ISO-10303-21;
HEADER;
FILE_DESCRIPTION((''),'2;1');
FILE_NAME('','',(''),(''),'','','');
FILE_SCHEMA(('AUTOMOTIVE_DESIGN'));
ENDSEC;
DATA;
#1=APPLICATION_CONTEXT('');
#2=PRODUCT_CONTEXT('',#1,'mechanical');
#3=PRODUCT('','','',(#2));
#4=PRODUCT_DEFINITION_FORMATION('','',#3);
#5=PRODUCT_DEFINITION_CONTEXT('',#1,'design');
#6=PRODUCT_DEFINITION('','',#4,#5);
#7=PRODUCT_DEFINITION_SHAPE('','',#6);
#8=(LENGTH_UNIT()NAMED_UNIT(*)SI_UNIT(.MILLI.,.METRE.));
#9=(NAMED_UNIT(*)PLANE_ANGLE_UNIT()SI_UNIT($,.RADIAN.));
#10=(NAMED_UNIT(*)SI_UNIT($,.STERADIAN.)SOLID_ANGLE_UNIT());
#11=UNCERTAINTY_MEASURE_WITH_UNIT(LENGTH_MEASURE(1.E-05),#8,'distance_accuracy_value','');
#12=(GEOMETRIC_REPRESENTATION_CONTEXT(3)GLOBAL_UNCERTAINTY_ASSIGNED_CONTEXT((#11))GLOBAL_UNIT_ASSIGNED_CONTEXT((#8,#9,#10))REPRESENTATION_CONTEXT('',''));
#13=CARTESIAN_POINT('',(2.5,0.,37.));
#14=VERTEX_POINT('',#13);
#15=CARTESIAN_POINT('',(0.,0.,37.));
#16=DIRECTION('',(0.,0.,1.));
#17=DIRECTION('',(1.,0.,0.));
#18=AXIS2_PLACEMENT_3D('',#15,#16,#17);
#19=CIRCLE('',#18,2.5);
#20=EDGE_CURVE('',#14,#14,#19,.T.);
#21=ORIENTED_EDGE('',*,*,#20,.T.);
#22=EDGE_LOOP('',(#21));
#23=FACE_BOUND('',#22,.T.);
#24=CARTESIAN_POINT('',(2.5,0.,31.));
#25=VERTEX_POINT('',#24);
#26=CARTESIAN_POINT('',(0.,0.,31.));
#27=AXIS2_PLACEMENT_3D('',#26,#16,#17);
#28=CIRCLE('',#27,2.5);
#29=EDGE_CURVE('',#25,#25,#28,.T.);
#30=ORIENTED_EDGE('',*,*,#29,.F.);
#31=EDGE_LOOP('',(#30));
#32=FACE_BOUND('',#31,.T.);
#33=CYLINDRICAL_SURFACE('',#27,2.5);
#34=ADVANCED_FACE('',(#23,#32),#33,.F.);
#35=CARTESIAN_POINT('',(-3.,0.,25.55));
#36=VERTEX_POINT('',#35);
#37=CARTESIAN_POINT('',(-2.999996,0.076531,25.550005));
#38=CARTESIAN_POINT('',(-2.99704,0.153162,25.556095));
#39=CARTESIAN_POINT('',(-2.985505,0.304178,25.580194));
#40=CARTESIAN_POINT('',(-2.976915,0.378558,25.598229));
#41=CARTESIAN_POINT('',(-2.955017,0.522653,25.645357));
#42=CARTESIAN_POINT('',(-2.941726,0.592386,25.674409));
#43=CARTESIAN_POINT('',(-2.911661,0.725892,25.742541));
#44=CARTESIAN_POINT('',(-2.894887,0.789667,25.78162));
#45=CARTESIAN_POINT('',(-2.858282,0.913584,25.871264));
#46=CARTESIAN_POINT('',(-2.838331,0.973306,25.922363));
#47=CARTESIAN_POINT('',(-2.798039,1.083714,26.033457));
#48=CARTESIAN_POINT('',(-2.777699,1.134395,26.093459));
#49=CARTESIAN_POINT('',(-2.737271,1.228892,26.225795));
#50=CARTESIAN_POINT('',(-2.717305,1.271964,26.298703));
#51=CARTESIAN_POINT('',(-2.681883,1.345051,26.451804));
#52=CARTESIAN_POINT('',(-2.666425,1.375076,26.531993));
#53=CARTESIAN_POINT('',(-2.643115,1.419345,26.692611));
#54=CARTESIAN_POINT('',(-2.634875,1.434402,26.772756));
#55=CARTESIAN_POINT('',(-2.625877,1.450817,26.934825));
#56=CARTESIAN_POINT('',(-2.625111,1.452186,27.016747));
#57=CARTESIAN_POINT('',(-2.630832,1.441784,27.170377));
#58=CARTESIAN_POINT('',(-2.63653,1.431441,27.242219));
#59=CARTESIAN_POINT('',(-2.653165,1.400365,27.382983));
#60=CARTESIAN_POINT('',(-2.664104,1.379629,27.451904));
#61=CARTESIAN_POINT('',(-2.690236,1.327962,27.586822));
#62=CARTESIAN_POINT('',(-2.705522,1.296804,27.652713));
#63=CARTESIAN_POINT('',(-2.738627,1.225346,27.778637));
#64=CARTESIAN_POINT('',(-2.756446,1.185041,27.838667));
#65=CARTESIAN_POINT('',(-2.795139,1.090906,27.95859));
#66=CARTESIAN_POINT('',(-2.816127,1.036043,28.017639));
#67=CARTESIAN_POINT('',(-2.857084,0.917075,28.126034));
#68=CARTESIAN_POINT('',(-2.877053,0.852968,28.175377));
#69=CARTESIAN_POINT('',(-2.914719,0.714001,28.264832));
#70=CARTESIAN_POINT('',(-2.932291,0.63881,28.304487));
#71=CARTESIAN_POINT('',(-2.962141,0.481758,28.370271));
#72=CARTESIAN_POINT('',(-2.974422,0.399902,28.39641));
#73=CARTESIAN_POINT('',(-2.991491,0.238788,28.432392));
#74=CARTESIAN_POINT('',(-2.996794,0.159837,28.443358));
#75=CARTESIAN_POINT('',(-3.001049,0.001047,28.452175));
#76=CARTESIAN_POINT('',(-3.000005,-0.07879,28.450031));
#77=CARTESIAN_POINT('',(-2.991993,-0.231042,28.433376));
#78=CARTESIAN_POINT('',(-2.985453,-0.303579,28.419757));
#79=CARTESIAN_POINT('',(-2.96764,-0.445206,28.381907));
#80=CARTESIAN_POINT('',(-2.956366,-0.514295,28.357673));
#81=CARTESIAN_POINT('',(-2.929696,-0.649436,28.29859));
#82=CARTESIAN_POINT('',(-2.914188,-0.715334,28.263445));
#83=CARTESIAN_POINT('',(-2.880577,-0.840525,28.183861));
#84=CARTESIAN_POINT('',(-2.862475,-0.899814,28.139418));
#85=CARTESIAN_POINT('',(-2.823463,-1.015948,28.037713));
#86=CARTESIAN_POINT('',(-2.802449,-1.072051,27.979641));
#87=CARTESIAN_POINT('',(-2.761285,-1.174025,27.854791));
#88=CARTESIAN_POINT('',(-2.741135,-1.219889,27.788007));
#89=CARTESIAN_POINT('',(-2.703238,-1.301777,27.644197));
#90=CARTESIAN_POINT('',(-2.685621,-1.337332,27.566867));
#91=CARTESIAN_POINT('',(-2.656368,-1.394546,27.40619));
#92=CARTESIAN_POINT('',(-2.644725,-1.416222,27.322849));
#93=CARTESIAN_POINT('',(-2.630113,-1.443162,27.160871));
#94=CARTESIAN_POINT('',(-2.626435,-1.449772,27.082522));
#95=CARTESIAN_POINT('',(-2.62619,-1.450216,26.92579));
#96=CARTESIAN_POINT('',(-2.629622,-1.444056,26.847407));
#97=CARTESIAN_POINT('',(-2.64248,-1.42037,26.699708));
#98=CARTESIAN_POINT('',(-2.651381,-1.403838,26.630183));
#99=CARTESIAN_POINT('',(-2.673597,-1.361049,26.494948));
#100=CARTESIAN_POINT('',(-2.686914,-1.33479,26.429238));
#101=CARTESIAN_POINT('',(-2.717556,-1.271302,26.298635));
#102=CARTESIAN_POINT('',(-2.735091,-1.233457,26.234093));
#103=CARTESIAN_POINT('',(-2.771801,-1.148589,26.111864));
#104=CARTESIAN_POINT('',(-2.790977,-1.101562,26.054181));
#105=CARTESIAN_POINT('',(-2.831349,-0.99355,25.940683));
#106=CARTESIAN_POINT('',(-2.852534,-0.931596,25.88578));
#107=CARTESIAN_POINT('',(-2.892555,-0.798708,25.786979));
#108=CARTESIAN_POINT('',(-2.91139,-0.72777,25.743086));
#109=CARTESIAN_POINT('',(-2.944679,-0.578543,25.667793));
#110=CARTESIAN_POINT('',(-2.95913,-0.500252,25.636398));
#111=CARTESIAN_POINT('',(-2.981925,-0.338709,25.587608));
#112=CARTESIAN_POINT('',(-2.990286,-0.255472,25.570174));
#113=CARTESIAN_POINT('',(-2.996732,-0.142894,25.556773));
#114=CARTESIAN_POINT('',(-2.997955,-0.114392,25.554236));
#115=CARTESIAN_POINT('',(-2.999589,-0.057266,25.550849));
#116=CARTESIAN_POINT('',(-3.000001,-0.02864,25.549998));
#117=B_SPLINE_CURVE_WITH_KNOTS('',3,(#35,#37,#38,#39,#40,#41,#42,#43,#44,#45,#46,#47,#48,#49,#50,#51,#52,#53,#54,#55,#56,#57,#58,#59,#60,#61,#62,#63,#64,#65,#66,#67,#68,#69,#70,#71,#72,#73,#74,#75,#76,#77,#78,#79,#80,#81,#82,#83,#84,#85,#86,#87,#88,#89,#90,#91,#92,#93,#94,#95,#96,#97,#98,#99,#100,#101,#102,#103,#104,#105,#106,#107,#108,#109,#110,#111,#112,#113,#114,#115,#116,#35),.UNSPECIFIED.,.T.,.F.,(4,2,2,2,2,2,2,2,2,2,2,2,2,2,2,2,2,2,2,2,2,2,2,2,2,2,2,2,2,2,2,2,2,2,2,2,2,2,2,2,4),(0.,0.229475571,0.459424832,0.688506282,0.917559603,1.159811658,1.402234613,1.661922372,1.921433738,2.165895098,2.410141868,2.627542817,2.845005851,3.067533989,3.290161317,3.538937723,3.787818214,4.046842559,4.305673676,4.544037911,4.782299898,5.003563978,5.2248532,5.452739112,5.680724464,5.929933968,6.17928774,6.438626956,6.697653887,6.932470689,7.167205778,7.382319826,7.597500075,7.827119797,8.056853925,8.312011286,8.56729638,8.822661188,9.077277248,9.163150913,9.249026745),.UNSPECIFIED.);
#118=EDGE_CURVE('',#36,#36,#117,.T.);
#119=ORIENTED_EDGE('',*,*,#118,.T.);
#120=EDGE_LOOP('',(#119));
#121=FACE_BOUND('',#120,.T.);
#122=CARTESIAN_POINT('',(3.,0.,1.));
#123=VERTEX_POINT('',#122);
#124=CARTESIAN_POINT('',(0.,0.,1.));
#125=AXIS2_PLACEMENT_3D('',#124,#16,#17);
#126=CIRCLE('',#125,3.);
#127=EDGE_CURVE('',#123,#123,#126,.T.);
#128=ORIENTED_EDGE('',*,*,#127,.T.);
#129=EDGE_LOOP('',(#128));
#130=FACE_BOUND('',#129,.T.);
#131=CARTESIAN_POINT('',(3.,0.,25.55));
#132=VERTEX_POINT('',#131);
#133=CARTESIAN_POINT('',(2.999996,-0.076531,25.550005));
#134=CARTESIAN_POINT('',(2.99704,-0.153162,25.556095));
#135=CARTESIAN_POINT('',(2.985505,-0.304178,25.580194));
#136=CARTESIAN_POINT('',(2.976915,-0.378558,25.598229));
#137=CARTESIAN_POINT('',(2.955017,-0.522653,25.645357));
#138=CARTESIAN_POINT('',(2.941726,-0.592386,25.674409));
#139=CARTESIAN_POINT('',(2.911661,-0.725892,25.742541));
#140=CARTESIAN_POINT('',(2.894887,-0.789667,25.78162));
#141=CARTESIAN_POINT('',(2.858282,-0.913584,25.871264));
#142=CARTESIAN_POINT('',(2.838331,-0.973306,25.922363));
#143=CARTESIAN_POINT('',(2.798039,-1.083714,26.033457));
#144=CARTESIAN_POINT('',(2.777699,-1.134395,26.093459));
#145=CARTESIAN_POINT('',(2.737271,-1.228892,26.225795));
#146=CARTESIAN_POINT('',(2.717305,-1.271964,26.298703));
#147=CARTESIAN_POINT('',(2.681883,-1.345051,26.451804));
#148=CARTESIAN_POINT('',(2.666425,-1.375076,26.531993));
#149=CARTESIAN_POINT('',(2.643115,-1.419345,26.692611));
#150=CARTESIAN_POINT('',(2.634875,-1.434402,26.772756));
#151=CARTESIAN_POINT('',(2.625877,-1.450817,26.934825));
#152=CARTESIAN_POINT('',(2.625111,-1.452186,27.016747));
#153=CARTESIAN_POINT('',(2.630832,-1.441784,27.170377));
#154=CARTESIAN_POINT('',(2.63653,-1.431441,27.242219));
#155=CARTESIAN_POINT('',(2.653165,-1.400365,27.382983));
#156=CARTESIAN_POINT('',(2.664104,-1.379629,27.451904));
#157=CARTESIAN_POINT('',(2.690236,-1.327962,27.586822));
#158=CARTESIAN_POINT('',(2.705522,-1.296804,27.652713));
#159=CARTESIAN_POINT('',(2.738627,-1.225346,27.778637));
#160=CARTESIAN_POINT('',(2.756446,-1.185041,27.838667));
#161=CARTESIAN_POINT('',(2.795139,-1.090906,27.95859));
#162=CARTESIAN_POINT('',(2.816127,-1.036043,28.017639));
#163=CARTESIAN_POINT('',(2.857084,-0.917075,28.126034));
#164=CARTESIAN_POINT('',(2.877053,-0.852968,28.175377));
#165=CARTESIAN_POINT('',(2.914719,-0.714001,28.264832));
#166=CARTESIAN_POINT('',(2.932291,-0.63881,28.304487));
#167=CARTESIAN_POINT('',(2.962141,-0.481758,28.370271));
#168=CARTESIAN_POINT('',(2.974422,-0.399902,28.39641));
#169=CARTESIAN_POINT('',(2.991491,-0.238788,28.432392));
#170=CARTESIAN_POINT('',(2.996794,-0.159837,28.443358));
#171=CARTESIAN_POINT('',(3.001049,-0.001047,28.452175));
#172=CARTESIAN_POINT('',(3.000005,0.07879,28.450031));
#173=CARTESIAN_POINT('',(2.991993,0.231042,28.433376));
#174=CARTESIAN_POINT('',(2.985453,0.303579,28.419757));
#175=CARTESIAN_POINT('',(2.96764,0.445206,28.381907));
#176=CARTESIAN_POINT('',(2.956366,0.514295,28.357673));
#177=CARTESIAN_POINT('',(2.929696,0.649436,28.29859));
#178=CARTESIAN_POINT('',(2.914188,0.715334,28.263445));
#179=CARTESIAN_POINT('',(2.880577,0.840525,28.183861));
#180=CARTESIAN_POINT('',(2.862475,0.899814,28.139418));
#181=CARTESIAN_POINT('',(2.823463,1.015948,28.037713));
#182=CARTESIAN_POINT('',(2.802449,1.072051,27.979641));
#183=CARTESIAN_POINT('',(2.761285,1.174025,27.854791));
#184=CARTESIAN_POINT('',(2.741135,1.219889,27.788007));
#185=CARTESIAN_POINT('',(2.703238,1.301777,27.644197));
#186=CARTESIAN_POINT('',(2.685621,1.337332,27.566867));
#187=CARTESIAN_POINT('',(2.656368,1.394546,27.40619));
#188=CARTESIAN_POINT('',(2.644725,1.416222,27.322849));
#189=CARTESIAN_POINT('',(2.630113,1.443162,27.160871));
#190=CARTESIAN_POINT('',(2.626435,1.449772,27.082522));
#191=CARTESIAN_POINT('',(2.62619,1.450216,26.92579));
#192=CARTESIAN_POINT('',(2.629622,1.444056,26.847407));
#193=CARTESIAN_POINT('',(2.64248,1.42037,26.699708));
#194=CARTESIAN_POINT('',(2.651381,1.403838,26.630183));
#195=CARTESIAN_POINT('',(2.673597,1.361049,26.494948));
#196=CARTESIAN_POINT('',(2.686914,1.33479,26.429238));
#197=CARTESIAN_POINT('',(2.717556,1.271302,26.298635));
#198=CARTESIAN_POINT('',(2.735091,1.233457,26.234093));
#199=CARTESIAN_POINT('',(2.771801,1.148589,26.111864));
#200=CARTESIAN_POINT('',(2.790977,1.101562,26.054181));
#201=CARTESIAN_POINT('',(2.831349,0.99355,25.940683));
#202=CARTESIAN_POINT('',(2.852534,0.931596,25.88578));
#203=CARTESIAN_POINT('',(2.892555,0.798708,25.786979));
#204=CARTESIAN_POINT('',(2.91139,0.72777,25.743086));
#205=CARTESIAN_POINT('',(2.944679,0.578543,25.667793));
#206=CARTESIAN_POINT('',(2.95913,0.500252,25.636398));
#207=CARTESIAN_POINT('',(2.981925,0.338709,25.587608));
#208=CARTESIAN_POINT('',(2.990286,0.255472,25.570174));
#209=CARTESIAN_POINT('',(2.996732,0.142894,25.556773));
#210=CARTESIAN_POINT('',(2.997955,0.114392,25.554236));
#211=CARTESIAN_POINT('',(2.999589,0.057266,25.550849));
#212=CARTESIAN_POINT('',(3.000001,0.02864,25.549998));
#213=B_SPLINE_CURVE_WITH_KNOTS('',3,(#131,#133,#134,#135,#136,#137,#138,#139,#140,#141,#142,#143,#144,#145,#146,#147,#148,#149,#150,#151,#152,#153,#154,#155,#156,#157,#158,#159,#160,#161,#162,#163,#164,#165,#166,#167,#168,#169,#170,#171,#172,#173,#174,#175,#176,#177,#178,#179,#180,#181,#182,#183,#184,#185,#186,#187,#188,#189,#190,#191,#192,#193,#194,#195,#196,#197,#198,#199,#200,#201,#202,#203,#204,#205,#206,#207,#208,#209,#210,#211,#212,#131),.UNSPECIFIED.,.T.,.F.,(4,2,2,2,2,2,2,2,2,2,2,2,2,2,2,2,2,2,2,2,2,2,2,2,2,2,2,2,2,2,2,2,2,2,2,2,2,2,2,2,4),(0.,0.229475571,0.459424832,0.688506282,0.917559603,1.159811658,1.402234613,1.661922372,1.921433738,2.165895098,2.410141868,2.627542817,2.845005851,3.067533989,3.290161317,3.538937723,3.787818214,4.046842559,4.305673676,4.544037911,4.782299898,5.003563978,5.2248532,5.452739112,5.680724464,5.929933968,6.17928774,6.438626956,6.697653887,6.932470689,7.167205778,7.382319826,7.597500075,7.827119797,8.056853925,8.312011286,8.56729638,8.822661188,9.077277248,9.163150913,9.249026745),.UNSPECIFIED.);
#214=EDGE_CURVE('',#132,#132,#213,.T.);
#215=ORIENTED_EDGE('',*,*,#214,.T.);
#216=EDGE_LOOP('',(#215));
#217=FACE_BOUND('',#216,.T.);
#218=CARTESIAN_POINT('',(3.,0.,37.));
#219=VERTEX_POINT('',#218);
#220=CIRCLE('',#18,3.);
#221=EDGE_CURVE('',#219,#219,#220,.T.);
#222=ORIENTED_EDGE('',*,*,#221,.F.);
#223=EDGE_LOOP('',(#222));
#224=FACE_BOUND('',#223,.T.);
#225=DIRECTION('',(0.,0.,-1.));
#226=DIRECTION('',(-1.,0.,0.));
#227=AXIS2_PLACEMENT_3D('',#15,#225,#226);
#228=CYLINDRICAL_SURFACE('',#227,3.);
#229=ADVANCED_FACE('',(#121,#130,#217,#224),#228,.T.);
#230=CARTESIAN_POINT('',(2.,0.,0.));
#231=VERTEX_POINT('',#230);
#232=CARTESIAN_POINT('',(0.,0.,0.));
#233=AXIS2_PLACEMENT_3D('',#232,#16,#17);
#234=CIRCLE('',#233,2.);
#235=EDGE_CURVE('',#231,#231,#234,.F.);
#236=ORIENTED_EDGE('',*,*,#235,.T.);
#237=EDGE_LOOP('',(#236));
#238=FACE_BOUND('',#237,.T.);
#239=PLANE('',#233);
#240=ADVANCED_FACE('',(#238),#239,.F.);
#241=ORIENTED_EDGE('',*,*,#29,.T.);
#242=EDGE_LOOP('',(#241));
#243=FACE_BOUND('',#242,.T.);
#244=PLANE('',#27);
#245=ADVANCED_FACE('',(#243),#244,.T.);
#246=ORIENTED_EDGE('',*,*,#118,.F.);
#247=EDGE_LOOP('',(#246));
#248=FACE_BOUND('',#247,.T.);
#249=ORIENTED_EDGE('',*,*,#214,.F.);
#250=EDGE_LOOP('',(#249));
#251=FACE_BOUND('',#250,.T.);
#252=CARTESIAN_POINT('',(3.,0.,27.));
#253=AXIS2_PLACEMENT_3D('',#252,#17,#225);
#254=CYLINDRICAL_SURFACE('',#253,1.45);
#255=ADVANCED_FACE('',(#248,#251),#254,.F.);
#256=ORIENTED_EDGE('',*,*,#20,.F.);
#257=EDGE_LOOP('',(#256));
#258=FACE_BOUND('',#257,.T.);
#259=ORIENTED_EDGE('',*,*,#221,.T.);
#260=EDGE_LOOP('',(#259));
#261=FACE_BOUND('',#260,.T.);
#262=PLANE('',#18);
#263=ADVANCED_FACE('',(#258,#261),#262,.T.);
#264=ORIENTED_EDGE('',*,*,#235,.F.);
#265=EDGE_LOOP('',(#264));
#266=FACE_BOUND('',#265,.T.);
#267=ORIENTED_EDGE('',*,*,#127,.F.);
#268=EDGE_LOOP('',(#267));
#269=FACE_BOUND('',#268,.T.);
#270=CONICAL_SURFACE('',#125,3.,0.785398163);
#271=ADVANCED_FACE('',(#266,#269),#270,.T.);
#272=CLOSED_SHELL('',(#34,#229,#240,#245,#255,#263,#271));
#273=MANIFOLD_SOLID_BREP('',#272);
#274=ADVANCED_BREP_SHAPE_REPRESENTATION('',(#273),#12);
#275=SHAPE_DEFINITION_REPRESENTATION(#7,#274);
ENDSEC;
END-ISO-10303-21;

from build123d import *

# Parameters (mm, degrees)
SKETCH_1_R          = 3
EXTRUDE_1_DEPTH     = 37
SKETCH_2_R          = 2.5
CUT_EXTRUDE_1_DEPTH = 6
CHAMFER_1_SIZE      = 1
M3_5X0_61_D         = 2.9


with BuildPart() as part:
    # Эскиз1 → Бобышка-Вытянуть1 (new body)
    with BuildSketch(Plane.XY):
        Circle(SKETCH_1_R)
    extrude(amount=EXTRUDE_1_DEPTH)

    # Эскиз2 → Вырез-Вытянуть1 (cut)
    with BuildSketch(Plane.XY.offset(37)):
        Circle(SKETCH_2_R)
    extrude(amount=-CUT_EXTRUDE_1_DEPTH, mode=Mode.SUBTRACT)

    # Фаска1
    chamfer_1_edges = [part.edges().sort_by_distance(p)[0] for p in [
        (-3, 0, 0),
    ]]
    chamfer(chamfer_1_edges, length=CHAMFER_1_SIZE)

    # Отверстие обработанное метчиком M3.5x0.61 (through all)
    with Locations(Plane(origin=(3, 0, 0), x_dir=(0, 0, -1), z_dir=(1, 0, 0))):
        with Locations((-27, 0)):
            Hole(M3_5X0_61_D / 2)


solid = part.part
